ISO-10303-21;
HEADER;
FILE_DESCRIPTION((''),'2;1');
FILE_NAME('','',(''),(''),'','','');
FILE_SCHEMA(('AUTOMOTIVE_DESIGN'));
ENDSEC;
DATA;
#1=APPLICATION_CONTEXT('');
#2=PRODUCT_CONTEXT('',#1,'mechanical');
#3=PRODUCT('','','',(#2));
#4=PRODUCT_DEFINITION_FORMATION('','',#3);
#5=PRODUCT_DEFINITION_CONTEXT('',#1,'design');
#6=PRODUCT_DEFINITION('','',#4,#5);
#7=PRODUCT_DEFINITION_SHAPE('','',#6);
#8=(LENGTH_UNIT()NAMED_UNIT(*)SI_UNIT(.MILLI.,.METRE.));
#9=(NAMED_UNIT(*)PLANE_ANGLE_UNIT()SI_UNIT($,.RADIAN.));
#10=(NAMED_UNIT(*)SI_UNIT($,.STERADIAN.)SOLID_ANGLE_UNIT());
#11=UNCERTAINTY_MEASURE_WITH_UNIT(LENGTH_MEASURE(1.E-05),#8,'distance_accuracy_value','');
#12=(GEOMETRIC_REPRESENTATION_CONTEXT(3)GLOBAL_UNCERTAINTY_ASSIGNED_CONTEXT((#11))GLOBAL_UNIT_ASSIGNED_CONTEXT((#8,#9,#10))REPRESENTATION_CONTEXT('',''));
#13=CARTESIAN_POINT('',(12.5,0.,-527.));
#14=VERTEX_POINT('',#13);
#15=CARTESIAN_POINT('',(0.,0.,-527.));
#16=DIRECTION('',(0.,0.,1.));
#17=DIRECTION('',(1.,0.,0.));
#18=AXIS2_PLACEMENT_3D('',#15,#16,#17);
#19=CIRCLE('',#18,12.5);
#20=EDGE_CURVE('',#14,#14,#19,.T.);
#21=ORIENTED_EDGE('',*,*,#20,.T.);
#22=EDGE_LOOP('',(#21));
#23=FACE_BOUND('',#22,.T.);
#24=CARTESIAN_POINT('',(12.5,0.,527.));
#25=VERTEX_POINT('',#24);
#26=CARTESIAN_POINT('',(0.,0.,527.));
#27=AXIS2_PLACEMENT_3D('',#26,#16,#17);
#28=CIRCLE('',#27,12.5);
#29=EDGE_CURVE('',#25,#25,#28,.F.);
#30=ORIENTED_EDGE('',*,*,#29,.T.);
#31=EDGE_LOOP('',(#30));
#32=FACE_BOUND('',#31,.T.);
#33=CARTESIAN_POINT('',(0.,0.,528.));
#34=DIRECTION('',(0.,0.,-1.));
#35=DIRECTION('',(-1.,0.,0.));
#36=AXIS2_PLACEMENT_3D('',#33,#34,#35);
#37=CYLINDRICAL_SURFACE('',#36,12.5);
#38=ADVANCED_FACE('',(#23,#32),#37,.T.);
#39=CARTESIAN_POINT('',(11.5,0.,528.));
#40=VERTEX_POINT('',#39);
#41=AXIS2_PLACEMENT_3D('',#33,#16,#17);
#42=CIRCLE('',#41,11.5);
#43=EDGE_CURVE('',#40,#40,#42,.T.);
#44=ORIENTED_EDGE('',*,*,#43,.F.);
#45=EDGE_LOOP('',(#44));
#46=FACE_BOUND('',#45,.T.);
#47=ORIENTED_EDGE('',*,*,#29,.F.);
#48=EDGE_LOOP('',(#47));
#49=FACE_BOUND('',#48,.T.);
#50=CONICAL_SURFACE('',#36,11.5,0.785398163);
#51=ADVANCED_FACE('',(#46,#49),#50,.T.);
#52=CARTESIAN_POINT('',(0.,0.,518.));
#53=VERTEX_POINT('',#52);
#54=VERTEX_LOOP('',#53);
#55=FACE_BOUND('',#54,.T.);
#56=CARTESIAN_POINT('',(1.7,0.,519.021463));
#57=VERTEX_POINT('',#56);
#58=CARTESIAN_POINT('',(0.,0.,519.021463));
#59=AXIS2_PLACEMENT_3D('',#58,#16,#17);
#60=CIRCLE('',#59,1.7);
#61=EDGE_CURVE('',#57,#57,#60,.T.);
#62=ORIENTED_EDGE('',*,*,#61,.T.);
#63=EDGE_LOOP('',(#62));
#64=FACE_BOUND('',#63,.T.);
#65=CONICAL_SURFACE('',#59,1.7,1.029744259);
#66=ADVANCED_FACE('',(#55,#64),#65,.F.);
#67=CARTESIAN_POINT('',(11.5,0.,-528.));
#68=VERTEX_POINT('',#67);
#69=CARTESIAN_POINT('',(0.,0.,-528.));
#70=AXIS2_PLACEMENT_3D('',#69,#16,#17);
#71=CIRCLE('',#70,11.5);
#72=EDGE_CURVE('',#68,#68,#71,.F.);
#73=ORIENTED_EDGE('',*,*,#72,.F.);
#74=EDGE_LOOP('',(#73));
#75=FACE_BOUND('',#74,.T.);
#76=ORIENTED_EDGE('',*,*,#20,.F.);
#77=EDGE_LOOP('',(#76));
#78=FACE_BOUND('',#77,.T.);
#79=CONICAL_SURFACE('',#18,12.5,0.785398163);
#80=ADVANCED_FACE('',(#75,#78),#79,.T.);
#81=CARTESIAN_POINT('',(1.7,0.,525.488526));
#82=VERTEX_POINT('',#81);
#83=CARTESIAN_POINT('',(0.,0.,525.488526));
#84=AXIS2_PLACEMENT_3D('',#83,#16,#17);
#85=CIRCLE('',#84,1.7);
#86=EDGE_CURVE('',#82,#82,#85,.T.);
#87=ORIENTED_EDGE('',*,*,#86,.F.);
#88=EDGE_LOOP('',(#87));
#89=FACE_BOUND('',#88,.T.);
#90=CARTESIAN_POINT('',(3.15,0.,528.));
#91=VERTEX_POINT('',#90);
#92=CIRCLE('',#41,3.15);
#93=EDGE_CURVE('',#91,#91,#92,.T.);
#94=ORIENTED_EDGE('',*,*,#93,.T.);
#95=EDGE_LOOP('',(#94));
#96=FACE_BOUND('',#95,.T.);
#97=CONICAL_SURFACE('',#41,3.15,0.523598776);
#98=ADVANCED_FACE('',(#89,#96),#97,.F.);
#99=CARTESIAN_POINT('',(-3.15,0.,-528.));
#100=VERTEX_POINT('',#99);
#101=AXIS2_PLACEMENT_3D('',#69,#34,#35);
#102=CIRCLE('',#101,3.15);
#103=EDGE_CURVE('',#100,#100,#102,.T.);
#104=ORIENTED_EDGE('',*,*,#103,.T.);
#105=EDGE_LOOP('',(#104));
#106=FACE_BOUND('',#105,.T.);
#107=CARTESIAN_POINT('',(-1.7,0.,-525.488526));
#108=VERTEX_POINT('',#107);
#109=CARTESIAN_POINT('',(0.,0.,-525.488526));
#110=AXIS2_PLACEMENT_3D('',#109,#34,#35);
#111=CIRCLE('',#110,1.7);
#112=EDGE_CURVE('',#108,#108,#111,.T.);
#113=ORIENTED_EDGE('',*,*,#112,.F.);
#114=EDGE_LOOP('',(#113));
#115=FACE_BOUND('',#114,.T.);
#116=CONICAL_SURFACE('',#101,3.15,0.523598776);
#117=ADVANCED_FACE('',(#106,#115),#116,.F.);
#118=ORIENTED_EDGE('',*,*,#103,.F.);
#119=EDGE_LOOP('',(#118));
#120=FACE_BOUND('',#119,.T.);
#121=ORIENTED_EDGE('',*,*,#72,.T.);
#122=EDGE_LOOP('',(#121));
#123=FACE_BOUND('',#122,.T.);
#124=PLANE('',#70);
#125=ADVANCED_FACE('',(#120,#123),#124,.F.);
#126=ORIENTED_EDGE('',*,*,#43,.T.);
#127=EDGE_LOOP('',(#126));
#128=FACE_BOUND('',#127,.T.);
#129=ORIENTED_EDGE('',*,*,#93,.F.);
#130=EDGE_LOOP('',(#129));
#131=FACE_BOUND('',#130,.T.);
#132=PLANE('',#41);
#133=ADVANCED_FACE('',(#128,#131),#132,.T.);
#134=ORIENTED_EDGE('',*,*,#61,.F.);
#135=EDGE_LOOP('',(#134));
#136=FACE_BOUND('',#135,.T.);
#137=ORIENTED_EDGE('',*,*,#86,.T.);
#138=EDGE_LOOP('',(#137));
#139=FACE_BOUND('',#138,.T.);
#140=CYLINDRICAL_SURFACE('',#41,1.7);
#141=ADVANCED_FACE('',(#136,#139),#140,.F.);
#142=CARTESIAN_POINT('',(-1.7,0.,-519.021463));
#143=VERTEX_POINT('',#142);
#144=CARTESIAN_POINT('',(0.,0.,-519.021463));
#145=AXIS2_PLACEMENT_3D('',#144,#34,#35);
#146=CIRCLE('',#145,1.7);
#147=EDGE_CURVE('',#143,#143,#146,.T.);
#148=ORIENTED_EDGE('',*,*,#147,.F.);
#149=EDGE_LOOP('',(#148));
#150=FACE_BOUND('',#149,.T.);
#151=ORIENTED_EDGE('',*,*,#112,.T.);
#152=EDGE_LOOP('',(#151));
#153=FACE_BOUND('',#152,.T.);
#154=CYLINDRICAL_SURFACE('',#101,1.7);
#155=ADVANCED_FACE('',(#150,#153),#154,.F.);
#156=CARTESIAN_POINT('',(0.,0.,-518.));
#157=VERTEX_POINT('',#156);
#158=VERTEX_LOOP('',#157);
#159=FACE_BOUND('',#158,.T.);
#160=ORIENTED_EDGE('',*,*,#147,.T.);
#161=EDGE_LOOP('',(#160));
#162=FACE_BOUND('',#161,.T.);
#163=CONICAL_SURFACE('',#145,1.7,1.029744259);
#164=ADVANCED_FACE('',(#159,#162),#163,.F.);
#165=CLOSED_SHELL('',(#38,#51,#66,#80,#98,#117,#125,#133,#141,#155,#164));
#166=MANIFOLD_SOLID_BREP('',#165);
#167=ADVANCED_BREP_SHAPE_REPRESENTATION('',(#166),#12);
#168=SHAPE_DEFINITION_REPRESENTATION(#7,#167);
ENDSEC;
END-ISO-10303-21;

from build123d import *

# Parameters (mm, degrees)
SKETCH1_R           = 12.5
CORPO_25_1056_DEPTH = 528
CHANFRO_1_45_SIZE   = 1


with BuildPart() as part:
    # Sketch1 → Corpo Ø25×1056 (new, symmetric)
    with BuildSketch(Plane.XY):
        Circle(SKETCH1_R)
    extrude(amount=CORPO_25_1056_DEPTH, both=True)

    # Sketch4 → Furo de Centro (revolve, cut)
    with BuildSketch(Plane(origin=(0, 0, -528), x_dir=(0, 1, 0), z_dir=(1, 0, 0))):
        Polygon((0, 0), (0, 10), (1.7, 8.978536948), (1.7, 2.511473671), (3.15, 0), align=None)
    furo_de_centro = revolve(axis=Axis((0, 0, -534.35), (0, 0, 1)), mode=Mode.SUBTRACT)

    # Furo de Centro Espelhado: Furo de Centro across plane
    add(furo_de_centro.mirror(Plane.XY), mode=Mode.SUBTRACT)

    # Chanfro 1×45°
    chanfro_1_45_edges = [part.edges().sort_by_distance(p)[0] for p in [
        (-12.5, 0, -528),
        (-12.5, 0, 528),
    ]]
    chamfer(chanfro_1_45_edges, length=CHANFRO_1_45_SIZE)


solid = part.part
